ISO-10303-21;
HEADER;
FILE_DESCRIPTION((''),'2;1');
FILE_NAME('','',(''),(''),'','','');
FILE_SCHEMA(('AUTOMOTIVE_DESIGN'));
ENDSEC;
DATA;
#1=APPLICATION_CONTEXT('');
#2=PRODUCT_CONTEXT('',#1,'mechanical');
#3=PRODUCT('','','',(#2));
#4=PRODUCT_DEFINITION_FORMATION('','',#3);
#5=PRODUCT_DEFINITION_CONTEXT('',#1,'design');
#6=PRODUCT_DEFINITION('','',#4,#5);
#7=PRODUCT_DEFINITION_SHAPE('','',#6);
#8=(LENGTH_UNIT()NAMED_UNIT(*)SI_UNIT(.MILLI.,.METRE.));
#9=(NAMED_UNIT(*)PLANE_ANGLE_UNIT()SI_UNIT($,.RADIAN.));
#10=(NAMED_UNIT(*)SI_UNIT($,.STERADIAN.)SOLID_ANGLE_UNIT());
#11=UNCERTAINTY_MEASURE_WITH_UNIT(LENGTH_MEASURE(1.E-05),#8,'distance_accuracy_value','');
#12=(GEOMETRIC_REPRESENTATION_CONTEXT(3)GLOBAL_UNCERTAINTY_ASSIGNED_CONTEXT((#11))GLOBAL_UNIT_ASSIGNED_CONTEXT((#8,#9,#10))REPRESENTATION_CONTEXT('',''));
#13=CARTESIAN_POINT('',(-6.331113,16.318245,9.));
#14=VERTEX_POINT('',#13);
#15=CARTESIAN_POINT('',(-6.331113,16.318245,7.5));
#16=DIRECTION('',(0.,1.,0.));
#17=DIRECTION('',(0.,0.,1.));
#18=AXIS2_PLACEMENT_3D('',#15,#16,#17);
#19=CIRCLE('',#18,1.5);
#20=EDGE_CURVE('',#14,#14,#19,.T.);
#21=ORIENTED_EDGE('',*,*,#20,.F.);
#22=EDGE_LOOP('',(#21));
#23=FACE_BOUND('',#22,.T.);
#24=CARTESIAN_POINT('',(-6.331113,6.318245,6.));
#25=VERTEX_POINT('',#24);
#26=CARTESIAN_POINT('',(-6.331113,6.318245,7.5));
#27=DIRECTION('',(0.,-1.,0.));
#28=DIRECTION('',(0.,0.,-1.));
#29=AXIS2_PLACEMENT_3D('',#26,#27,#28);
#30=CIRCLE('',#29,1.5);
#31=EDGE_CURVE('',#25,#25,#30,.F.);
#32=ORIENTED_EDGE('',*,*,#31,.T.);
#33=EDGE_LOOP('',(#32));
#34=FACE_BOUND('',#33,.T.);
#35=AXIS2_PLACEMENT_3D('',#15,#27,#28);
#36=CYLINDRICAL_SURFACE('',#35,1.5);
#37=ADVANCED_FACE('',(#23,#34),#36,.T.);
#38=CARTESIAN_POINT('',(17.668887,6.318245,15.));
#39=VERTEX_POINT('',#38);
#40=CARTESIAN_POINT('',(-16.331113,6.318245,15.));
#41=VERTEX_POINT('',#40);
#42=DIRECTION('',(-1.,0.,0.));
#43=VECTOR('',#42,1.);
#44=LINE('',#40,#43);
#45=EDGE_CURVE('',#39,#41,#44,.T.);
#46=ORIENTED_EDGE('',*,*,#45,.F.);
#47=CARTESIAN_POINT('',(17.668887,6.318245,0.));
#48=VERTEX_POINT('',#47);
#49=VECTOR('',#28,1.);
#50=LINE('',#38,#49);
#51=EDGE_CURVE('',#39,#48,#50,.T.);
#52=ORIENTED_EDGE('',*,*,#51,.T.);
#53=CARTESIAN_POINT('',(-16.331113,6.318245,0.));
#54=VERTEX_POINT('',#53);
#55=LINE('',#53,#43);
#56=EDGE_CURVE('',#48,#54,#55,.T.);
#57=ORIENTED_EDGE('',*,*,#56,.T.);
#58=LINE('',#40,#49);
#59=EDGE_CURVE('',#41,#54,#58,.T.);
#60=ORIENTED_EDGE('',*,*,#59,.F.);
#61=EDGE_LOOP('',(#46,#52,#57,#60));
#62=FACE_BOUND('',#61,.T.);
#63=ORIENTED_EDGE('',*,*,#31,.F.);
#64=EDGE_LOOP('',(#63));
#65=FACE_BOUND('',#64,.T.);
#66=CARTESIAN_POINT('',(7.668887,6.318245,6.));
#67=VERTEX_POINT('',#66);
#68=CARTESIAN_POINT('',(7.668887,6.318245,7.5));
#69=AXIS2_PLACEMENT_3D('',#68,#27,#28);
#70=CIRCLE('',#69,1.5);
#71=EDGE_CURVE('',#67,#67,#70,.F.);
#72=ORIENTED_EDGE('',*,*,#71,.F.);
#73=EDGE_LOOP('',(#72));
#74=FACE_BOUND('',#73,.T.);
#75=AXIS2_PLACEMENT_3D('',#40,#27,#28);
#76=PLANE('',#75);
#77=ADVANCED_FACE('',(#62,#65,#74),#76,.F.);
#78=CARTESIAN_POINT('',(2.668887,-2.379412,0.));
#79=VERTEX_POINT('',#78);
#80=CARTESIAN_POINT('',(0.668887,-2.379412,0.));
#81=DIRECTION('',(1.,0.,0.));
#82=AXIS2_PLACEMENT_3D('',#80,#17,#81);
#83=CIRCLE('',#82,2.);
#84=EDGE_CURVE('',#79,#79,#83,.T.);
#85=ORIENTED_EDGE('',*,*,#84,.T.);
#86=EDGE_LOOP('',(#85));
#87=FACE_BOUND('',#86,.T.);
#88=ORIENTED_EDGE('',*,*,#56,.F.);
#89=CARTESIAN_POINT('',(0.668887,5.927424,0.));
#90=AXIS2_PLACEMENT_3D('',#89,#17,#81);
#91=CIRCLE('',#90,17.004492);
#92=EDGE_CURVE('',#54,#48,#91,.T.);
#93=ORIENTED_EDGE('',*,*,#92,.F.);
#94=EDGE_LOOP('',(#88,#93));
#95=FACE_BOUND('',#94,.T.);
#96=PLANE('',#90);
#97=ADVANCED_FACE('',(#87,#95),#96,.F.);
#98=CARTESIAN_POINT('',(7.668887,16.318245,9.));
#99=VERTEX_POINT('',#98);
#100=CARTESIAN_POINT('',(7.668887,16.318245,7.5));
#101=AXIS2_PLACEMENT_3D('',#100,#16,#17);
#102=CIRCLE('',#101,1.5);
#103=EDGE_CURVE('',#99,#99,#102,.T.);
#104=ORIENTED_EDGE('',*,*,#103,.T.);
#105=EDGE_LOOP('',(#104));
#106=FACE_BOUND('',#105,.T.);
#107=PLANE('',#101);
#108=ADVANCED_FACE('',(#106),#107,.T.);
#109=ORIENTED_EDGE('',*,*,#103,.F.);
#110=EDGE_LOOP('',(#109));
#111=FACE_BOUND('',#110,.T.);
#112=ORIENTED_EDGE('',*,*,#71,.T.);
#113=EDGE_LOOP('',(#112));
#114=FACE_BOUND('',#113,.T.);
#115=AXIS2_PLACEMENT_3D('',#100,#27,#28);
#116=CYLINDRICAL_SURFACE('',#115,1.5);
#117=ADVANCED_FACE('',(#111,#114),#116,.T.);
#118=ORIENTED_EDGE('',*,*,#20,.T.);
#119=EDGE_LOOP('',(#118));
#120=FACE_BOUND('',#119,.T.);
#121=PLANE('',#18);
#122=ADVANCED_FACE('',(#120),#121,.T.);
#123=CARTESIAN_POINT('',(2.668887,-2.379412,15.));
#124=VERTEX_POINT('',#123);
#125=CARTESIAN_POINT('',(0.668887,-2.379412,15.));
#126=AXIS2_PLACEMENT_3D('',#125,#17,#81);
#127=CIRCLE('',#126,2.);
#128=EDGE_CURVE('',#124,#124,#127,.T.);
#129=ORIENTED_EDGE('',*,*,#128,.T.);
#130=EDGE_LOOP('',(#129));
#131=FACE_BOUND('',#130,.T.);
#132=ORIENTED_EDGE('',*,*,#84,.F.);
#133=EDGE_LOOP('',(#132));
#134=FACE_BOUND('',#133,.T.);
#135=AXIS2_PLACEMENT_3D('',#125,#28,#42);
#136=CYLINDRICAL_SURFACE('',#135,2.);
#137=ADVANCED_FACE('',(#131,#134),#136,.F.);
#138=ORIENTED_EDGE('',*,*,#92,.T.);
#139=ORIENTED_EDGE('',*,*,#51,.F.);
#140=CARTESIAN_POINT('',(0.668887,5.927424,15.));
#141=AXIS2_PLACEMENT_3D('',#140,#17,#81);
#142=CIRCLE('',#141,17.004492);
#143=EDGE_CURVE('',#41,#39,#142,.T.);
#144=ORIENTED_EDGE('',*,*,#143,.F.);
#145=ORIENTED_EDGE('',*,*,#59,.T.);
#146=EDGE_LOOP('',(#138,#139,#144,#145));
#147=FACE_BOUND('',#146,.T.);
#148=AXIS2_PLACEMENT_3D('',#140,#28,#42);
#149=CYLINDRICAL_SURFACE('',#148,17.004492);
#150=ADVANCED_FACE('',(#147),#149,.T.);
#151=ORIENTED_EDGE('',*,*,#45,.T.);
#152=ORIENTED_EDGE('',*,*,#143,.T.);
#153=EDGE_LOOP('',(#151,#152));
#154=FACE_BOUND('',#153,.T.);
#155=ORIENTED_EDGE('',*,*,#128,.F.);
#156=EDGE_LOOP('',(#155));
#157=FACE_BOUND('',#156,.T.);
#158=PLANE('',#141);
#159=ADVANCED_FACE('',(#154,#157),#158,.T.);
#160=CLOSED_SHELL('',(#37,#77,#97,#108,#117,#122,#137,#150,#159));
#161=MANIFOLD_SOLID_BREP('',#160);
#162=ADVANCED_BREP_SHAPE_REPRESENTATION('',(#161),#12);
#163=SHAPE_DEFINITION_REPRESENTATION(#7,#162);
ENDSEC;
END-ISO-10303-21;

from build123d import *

# Parameters (mm, degrees)
SKETCH1_R           = 2
BOSS_EXTRUDE1_DEPTH = 15
SKETCH2_R           = 1.5
BOSS_EXTRUDE2_DEPTH = 10


with BuildPart() as part:
    # Sketch1 → Boss-Extrude1 (new body)
    with BuildSketch(Plane.XY):
        with BuildLine():
            Line((-16.33111253, 6.318244625), (17.66888747, 6.318244625))
            ThreePointArc((17.66888747, 6.318244625), (0.66888747, -11.07706784), (-16.33111253, 6.318244625))
        make_face()
        with Locations((0.66888747, -2.379411608)):
            Circle(SKETCH1_R, mode=Mode.SUBTRACT)
    extrude(amount=BOSS_EXTRUDE1_DEPTH)

    # Sketch2 → Boss-Extrude2 (add)
    with BuildSketch(Plane(origin=(0, 6.318244625, 0), x_dir=(1, 0, 0), z_dir=(0, 1, 0))):
        with Locations(Location((-6.33111253, -7.5, 0), (0, 0, 90))):
            Circle(SKETCH2_R)
        with Locations(Location((7.66888747, -7.5, 0), (0, 0, 90))):
            Circle(SKETCH2_R)
    extrude(amount=BOSS_EXTRUDE2_DEPTH)


solid = part.part
